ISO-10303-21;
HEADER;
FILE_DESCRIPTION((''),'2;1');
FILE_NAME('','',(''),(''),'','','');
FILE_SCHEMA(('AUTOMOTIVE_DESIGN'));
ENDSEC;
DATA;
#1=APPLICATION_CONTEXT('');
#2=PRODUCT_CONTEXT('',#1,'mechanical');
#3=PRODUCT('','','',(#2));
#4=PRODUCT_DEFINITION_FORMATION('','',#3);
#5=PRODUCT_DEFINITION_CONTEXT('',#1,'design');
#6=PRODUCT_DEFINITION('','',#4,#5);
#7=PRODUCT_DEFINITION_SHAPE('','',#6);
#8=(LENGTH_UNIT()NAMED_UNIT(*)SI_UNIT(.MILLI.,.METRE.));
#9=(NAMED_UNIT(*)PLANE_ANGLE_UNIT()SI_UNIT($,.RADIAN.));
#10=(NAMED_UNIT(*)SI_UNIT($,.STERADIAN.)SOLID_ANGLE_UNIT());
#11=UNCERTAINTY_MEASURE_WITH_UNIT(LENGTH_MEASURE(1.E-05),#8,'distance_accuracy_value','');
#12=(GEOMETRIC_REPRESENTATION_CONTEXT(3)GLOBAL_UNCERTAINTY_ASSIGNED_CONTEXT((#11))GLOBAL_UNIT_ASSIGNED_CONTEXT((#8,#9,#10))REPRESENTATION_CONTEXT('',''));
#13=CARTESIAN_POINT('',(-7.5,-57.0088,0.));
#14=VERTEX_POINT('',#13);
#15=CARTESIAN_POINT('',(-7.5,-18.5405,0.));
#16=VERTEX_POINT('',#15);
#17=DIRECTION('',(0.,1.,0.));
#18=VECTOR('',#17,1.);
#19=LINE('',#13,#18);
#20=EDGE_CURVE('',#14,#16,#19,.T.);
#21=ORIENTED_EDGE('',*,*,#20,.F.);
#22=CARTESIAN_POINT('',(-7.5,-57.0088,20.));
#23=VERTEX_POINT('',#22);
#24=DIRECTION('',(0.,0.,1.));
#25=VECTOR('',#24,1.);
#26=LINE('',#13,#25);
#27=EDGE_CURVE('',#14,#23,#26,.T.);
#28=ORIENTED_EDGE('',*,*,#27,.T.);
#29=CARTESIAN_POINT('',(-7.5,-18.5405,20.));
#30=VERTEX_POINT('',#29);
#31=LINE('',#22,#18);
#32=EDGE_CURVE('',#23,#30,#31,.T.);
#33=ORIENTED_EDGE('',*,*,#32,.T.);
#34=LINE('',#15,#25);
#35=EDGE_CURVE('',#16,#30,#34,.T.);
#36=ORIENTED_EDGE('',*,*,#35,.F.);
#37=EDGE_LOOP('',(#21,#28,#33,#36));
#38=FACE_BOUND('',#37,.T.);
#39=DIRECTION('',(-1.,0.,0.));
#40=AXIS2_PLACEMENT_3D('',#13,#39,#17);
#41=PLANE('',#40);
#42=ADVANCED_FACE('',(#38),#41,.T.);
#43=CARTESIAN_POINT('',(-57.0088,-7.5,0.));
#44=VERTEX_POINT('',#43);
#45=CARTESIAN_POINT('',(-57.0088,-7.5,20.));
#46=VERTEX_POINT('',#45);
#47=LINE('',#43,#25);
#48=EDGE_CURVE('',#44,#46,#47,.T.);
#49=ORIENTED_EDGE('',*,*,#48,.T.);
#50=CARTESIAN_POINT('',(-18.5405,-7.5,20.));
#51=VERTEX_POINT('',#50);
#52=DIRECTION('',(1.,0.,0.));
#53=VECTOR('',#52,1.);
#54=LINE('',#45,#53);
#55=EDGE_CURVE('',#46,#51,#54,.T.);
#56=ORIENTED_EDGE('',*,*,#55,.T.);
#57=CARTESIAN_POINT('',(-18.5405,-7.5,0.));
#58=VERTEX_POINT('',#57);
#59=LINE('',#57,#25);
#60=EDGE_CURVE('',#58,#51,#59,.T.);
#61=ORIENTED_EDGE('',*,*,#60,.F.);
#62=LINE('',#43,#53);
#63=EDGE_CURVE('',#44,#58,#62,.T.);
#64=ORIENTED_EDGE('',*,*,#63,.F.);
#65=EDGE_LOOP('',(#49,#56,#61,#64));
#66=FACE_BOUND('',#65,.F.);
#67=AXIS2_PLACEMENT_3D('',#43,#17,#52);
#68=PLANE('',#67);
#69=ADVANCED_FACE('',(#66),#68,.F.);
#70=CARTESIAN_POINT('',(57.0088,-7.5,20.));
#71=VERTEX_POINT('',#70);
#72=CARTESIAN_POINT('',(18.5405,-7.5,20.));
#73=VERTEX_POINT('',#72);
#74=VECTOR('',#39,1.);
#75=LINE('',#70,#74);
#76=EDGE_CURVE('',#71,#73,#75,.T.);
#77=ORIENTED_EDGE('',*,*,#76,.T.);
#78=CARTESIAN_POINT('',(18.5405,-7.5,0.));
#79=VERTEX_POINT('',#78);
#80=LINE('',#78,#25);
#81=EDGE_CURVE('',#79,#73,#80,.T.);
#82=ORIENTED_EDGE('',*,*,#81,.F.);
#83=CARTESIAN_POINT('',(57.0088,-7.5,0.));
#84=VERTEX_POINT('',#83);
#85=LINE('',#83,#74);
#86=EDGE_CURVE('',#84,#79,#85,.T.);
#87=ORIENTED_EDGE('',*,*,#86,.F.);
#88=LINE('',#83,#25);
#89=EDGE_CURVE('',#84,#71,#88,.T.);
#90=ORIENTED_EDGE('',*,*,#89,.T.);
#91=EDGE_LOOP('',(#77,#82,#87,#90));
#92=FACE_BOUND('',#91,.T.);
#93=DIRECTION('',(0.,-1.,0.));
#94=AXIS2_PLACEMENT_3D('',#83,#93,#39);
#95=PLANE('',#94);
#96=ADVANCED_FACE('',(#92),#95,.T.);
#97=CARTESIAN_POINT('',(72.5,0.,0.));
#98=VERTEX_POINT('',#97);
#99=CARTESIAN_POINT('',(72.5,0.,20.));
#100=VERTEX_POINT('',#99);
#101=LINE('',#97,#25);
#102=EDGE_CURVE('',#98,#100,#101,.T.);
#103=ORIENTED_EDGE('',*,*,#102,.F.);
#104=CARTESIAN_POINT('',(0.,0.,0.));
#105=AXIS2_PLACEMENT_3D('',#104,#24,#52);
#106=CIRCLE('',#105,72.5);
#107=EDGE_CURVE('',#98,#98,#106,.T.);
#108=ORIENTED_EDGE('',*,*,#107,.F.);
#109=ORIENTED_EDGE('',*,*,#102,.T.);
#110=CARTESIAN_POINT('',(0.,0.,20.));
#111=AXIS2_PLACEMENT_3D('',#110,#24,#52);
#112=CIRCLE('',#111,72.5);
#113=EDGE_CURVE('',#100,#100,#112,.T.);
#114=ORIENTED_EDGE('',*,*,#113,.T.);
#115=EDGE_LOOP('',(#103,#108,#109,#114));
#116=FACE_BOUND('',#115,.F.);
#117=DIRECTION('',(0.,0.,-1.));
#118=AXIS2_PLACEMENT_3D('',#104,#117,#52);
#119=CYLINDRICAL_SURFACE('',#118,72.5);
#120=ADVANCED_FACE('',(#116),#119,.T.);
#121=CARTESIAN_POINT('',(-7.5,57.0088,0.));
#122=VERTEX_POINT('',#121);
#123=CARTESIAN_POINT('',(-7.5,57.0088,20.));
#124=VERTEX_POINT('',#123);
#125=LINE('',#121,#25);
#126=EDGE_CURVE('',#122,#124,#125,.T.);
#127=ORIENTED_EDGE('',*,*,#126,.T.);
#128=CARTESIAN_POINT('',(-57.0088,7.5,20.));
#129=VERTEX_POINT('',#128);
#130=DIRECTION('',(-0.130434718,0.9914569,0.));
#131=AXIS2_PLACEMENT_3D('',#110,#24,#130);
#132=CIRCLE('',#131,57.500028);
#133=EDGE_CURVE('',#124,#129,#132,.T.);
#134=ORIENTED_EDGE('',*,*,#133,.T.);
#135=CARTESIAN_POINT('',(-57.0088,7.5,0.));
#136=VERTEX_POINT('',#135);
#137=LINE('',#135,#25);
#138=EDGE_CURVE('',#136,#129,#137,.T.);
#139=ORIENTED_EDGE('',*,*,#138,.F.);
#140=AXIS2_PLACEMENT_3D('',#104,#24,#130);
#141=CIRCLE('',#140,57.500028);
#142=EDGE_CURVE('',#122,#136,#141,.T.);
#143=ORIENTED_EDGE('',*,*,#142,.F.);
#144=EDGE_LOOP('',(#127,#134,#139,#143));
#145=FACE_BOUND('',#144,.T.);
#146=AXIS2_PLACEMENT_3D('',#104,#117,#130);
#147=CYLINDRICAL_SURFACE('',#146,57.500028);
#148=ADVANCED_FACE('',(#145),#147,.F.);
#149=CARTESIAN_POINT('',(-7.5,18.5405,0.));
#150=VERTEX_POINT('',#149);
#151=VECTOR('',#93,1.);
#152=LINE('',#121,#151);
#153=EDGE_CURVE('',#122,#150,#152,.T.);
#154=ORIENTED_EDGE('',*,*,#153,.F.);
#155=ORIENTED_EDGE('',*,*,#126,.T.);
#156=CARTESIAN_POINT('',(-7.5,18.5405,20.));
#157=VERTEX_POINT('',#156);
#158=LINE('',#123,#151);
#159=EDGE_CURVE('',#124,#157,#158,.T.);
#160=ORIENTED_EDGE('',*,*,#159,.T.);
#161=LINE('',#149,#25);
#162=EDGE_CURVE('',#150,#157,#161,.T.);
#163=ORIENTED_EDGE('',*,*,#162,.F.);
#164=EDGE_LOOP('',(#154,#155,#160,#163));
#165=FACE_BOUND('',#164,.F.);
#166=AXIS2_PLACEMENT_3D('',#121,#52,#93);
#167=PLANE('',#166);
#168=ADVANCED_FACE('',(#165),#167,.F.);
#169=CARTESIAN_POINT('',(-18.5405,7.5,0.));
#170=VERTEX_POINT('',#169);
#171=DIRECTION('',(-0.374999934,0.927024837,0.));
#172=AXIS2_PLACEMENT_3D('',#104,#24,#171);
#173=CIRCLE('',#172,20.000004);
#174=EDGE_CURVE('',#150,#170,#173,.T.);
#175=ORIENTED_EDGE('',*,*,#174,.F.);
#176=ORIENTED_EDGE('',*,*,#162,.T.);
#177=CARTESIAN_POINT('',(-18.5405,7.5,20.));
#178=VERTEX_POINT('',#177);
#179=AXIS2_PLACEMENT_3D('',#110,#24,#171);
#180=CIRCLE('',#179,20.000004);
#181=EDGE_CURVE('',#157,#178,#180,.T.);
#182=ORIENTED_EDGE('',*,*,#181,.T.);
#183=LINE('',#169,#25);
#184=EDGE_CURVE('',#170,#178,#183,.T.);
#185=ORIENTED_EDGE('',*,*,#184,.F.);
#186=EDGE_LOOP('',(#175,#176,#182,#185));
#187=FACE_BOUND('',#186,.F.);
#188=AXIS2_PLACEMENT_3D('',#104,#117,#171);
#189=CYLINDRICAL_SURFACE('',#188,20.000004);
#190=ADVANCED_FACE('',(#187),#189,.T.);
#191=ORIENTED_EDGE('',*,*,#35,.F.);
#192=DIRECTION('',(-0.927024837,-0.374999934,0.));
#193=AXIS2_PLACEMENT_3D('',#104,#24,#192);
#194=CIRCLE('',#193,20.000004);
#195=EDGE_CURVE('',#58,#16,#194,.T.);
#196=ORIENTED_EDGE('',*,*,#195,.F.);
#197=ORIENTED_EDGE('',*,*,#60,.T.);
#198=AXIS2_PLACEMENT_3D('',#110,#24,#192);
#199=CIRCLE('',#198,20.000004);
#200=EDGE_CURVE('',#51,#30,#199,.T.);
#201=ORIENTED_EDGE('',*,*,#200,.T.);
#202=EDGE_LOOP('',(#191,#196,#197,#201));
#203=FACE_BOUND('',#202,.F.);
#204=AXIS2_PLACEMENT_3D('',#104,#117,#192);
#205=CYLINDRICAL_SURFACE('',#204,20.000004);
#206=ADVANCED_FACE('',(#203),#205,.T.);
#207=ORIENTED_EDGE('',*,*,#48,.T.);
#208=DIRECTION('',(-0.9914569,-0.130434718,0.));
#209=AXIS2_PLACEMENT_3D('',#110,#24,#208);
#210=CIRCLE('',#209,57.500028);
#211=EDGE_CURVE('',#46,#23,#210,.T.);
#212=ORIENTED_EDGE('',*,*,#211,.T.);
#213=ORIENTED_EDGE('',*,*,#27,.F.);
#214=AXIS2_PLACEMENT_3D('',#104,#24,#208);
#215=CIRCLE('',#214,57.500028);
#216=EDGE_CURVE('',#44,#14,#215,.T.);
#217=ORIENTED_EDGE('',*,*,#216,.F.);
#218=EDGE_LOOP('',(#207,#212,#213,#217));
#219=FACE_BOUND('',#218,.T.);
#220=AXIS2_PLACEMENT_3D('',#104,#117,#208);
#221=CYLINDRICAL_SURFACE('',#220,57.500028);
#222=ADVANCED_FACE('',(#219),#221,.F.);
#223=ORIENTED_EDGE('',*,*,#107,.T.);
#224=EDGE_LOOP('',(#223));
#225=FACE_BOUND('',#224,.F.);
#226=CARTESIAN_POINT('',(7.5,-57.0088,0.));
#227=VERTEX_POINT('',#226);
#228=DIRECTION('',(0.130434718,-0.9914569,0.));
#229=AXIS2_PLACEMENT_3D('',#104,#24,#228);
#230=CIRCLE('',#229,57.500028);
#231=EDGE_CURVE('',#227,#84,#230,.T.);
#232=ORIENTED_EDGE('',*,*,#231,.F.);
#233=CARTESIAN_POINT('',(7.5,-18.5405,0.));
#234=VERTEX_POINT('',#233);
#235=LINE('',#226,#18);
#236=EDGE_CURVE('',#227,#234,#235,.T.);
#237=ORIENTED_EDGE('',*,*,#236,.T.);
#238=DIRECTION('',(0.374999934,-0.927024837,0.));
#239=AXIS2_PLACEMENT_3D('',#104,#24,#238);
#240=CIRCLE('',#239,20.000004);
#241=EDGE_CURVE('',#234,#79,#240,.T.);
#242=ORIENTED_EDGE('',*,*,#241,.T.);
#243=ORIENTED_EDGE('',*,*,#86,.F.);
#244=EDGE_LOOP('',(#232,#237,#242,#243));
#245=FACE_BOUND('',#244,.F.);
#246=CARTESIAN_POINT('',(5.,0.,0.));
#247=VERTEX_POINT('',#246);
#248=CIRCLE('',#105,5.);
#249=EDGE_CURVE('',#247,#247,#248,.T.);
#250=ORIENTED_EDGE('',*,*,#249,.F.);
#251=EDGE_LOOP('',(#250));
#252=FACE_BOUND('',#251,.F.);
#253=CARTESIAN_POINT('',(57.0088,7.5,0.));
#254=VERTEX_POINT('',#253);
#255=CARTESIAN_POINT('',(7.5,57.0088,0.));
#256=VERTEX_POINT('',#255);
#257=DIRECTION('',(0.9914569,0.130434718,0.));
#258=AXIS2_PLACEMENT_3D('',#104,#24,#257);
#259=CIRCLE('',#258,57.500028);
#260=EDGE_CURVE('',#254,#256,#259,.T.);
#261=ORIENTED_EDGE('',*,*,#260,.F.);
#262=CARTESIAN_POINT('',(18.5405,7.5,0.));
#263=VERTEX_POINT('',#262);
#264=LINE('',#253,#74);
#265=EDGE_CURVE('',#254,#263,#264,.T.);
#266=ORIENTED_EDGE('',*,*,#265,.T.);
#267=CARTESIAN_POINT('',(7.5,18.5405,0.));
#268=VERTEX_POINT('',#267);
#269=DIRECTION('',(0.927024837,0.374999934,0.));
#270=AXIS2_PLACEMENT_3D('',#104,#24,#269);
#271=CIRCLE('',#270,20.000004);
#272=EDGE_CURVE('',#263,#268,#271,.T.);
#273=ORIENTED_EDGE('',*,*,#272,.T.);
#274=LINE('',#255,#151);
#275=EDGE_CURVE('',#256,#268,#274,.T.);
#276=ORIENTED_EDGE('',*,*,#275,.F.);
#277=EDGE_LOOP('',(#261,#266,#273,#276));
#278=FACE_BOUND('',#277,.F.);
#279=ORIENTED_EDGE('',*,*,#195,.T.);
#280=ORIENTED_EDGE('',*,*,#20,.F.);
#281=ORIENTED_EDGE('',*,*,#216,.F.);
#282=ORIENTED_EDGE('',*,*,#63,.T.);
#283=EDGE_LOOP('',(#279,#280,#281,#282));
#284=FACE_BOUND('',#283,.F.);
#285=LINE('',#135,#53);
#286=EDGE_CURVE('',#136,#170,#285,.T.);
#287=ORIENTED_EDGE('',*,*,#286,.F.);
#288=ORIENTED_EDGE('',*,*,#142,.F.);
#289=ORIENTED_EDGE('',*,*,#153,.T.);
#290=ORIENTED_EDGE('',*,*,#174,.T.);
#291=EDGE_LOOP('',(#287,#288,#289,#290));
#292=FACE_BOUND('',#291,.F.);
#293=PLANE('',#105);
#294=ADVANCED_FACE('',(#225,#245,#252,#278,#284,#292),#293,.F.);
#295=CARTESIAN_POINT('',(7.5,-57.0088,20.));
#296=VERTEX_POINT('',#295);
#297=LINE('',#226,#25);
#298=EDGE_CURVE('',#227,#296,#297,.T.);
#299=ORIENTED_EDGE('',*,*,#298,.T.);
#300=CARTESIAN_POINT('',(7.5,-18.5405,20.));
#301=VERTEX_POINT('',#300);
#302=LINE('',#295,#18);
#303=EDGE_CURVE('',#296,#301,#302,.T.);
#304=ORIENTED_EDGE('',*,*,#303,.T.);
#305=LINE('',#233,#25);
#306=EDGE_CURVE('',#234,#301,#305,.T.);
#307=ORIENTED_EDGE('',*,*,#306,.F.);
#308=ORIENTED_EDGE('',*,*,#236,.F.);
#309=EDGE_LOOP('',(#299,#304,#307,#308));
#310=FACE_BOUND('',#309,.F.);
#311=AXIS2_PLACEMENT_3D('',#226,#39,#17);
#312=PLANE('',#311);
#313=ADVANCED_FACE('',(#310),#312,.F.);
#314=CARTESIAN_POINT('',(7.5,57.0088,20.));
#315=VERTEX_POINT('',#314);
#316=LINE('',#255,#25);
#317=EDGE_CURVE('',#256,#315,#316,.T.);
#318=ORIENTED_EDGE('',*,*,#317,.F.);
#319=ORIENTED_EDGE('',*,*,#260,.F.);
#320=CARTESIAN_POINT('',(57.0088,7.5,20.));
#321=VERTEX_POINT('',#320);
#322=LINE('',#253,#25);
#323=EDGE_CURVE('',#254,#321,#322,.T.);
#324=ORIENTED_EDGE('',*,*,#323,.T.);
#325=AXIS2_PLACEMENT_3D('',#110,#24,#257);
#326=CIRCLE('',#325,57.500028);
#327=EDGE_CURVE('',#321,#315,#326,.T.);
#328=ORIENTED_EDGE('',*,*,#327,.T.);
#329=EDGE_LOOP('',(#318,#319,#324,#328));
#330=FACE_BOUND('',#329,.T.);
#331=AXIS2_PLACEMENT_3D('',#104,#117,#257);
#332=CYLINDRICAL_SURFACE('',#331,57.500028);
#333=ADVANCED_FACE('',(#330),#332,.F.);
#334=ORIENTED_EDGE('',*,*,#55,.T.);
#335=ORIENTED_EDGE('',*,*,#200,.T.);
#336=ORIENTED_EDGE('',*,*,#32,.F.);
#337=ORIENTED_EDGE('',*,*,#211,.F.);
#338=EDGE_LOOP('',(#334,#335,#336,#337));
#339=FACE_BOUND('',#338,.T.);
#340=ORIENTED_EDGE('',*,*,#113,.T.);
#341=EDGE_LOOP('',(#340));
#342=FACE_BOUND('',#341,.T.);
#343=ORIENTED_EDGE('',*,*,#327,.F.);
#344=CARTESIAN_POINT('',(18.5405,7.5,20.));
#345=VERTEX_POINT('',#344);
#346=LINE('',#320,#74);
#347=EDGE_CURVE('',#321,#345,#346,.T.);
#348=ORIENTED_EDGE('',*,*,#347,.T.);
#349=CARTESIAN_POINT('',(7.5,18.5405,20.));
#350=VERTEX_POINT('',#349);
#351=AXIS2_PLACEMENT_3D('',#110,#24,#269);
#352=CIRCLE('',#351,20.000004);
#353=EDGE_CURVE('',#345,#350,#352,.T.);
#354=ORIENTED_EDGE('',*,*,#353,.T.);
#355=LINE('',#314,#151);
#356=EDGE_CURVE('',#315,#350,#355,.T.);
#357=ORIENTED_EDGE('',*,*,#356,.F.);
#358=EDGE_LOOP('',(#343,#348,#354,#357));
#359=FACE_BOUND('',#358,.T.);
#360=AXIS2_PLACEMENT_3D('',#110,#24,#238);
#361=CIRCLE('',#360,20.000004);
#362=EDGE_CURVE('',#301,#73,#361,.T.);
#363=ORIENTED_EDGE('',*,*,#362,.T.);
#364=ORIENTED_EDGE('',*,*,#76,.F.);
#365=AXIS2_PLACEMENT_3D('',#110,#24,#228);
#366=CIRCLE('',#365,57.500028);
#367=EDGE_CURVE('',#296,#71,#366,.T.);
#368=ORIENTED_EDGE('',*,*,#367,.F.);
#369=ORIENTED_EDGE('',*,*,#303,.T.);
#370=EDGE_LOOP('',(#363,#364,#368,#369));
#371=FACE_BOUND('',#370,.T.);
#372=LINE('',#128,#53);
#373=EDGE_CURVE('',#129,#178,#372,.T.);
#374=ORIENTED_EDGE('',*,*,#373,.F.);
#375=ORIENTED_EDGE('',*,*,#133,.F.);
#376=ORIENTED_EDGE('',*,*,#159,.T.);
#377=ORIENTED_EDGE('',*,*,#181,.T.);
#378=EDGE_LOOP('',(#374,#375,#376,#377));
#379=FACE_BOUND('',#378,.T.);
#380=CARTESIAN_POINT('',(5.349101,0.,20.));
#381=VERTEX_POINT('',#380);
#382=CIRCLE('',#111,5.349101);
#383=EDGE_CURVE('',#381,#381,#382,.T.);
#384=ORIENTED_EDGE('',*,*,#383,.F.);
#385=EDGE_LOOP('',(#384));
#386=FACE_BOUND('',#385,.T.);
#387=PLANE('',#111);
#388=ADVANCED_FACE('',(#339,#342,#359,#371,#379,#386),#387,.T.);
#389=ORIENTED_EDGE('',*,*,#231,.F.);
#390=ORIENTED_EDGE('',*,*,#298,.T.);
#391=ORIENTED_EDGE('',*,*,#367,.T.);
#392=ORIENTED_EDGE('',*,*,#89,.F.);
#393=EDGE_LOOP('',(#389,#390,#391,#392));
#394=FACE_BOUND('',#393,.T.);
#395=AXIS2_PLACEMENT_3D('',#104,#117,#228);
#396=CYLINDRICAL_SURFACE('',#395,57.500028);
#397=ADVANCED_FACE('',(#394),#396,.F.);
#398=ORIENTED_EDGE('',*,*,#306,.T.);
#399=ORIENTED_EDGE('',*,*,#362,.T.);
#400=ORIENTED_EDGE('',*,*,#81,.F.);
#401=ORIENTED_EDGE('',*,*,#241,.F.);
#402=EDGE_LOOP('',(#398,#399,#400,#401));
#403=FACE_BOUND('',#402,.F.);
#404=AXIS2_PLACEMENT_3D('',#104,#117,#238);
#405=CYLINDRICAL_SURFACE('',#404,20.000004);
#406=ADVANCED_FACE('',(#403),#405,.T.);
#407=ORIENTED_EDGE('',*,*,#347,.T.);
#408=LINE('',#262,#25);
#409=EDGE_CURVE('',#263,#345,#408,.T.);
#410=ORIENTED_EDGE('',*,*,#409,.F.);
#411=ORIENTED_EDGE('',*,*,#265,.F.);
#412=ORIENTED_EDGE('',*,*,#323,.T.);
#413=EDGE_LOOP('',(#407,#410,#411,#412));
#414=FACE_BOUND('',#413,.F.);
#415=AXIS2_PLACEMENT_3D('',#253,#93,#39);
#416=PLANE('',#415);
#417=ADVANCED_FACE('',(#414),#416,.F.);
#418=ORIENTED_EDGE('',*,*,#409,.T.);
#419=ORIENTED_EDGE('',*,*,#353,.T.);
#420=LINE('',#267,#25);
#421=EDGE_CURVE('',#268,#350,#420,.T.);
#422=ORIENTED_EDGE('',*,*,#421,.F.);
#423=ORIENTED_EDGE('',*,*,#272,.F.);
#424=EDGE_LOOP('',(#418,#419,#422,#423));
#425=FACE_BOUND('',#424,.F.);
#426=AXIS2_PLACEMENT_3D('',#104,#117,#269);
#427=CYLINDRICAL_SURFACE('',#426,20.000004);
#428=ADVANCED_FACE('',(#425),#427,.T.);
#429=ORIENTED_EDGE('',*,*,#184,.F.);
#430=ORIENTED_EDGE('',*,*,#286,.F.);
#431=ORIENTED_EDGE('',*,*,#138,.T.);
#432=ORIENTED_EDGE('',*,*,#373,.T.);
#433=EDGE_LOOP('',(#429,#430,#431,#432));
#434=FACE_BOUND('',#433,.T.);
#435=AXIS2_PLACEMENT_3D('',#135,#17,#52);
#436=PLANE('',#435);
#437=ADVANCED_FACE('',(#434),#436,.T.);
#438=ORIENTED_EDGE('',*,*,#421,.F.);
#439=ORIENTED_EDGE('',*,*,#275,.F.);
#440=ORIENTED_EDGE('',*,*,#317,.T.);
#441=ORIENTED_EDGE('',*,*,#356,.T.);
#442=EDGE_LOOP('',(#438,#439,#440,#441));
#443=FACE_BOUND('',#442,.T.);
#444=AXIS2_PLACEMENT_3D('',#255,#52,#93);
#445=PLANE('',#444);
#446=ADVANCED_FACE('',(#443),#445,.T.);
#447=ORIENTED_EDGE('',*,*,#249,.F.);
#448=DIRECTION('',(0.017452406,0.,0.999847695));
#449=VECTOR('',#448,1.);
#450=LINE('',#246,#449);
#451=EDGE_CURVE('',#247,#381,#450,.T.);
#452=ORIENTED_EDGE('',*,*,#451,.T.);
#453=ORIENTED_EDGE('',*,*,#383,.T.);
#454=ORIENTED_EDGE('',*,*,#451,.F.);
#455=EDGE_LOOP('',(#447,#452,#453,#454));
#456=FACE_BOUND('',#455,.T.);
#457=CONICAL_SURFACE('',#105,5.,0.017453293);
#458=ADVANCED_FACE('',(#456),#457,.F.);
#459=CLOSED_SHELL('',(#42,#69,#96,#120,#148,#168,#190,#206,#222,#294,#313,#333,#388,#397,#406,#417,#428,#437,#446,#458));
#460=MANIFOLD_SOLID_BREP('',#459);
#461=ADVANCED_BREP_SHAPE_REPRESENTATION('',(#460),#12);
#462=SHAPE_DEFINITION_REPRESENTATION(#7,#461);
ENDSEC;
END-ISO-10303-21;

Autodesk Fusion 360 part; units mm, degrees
sketch "Sketch1" plane through (0, 0, 0) normal (0, 0, 1) x (1, 0, 0)
  circle A0 centre (0, 0) radius 72.5
  line L0 (0, 0) -> (-170.1079, 0) construction
  arc A1 (-7.5, 57.0088) -> (-57.0088, 7.5) centre (0, 0) ccw
  line L1 (0, 0) -> (0, 73.0172) construction
  line L2 (-57.0088, 7.5) -> (-18.5405, 7.5)
  line L3 (-7.5, 57.0088) -> (-7.5, 18.5405)
  circle A2 centre (0, 0) radius 5
  arc A3 (-7.5, 18.5405) -> (-18.5405, 7.5) centre (0, 0) ccw
  dimension "d2" = 145
  dimension "d9" = 90
  dimension "d10" = 7.5
  dimension "d11" = 7.5
  dimension "d12" = 15
  dimension "d13" = 10
  dimension "d15" = 15
extrude "Extrude1" add sketch "Sketch1" along normal blind 20 contours A0 | A1 L2 L3 A3 | A2
extrude "Extrude2" cut sketch "Sketch1" along normal up to surface (20 mm away) contours A1 L2 L3 A3
extrude "Extrude3" cut sketch "Sketch1" along normal up to surface (20 mm away) draft 1 contours A2
pattern_circular "C-Pattern1" count 4 over 360 about axis through (0, 0, 1.75) along (0, 0, 1) of "Extrude2"
equation "d2 = OverallDiameter"
equation "HubHoleDiameter = 10 mm" comment "Center hole diameter"
equation "HubWallThickness = 15 mm"
equation "NumberOfSPokes = 4"
equation "OverallDiameter = 145 mm" comment "Outside Diameter of the entire part"
equation "PartHeight = 20 mm"
equation "d9 = ( 360 / NumberOfSPokes ) * 1 deg"
equation "d10 = HubWallThickness / 2"
equation "d11 = HubWallThickness / 2"
equation "d12 = HubWallThickness"
equation "d13 = HubHoleDiameter"
equation "d15 = HubWallThickness"
equation "d16 = PartHeight"
equation "HubHoleTaperAngle = 1 deg" comment "Positive values taper outward. Negative inward"
equation "d22 = HubHoleTaperAngle"
equation "d23 = NumberOfSPokes"
